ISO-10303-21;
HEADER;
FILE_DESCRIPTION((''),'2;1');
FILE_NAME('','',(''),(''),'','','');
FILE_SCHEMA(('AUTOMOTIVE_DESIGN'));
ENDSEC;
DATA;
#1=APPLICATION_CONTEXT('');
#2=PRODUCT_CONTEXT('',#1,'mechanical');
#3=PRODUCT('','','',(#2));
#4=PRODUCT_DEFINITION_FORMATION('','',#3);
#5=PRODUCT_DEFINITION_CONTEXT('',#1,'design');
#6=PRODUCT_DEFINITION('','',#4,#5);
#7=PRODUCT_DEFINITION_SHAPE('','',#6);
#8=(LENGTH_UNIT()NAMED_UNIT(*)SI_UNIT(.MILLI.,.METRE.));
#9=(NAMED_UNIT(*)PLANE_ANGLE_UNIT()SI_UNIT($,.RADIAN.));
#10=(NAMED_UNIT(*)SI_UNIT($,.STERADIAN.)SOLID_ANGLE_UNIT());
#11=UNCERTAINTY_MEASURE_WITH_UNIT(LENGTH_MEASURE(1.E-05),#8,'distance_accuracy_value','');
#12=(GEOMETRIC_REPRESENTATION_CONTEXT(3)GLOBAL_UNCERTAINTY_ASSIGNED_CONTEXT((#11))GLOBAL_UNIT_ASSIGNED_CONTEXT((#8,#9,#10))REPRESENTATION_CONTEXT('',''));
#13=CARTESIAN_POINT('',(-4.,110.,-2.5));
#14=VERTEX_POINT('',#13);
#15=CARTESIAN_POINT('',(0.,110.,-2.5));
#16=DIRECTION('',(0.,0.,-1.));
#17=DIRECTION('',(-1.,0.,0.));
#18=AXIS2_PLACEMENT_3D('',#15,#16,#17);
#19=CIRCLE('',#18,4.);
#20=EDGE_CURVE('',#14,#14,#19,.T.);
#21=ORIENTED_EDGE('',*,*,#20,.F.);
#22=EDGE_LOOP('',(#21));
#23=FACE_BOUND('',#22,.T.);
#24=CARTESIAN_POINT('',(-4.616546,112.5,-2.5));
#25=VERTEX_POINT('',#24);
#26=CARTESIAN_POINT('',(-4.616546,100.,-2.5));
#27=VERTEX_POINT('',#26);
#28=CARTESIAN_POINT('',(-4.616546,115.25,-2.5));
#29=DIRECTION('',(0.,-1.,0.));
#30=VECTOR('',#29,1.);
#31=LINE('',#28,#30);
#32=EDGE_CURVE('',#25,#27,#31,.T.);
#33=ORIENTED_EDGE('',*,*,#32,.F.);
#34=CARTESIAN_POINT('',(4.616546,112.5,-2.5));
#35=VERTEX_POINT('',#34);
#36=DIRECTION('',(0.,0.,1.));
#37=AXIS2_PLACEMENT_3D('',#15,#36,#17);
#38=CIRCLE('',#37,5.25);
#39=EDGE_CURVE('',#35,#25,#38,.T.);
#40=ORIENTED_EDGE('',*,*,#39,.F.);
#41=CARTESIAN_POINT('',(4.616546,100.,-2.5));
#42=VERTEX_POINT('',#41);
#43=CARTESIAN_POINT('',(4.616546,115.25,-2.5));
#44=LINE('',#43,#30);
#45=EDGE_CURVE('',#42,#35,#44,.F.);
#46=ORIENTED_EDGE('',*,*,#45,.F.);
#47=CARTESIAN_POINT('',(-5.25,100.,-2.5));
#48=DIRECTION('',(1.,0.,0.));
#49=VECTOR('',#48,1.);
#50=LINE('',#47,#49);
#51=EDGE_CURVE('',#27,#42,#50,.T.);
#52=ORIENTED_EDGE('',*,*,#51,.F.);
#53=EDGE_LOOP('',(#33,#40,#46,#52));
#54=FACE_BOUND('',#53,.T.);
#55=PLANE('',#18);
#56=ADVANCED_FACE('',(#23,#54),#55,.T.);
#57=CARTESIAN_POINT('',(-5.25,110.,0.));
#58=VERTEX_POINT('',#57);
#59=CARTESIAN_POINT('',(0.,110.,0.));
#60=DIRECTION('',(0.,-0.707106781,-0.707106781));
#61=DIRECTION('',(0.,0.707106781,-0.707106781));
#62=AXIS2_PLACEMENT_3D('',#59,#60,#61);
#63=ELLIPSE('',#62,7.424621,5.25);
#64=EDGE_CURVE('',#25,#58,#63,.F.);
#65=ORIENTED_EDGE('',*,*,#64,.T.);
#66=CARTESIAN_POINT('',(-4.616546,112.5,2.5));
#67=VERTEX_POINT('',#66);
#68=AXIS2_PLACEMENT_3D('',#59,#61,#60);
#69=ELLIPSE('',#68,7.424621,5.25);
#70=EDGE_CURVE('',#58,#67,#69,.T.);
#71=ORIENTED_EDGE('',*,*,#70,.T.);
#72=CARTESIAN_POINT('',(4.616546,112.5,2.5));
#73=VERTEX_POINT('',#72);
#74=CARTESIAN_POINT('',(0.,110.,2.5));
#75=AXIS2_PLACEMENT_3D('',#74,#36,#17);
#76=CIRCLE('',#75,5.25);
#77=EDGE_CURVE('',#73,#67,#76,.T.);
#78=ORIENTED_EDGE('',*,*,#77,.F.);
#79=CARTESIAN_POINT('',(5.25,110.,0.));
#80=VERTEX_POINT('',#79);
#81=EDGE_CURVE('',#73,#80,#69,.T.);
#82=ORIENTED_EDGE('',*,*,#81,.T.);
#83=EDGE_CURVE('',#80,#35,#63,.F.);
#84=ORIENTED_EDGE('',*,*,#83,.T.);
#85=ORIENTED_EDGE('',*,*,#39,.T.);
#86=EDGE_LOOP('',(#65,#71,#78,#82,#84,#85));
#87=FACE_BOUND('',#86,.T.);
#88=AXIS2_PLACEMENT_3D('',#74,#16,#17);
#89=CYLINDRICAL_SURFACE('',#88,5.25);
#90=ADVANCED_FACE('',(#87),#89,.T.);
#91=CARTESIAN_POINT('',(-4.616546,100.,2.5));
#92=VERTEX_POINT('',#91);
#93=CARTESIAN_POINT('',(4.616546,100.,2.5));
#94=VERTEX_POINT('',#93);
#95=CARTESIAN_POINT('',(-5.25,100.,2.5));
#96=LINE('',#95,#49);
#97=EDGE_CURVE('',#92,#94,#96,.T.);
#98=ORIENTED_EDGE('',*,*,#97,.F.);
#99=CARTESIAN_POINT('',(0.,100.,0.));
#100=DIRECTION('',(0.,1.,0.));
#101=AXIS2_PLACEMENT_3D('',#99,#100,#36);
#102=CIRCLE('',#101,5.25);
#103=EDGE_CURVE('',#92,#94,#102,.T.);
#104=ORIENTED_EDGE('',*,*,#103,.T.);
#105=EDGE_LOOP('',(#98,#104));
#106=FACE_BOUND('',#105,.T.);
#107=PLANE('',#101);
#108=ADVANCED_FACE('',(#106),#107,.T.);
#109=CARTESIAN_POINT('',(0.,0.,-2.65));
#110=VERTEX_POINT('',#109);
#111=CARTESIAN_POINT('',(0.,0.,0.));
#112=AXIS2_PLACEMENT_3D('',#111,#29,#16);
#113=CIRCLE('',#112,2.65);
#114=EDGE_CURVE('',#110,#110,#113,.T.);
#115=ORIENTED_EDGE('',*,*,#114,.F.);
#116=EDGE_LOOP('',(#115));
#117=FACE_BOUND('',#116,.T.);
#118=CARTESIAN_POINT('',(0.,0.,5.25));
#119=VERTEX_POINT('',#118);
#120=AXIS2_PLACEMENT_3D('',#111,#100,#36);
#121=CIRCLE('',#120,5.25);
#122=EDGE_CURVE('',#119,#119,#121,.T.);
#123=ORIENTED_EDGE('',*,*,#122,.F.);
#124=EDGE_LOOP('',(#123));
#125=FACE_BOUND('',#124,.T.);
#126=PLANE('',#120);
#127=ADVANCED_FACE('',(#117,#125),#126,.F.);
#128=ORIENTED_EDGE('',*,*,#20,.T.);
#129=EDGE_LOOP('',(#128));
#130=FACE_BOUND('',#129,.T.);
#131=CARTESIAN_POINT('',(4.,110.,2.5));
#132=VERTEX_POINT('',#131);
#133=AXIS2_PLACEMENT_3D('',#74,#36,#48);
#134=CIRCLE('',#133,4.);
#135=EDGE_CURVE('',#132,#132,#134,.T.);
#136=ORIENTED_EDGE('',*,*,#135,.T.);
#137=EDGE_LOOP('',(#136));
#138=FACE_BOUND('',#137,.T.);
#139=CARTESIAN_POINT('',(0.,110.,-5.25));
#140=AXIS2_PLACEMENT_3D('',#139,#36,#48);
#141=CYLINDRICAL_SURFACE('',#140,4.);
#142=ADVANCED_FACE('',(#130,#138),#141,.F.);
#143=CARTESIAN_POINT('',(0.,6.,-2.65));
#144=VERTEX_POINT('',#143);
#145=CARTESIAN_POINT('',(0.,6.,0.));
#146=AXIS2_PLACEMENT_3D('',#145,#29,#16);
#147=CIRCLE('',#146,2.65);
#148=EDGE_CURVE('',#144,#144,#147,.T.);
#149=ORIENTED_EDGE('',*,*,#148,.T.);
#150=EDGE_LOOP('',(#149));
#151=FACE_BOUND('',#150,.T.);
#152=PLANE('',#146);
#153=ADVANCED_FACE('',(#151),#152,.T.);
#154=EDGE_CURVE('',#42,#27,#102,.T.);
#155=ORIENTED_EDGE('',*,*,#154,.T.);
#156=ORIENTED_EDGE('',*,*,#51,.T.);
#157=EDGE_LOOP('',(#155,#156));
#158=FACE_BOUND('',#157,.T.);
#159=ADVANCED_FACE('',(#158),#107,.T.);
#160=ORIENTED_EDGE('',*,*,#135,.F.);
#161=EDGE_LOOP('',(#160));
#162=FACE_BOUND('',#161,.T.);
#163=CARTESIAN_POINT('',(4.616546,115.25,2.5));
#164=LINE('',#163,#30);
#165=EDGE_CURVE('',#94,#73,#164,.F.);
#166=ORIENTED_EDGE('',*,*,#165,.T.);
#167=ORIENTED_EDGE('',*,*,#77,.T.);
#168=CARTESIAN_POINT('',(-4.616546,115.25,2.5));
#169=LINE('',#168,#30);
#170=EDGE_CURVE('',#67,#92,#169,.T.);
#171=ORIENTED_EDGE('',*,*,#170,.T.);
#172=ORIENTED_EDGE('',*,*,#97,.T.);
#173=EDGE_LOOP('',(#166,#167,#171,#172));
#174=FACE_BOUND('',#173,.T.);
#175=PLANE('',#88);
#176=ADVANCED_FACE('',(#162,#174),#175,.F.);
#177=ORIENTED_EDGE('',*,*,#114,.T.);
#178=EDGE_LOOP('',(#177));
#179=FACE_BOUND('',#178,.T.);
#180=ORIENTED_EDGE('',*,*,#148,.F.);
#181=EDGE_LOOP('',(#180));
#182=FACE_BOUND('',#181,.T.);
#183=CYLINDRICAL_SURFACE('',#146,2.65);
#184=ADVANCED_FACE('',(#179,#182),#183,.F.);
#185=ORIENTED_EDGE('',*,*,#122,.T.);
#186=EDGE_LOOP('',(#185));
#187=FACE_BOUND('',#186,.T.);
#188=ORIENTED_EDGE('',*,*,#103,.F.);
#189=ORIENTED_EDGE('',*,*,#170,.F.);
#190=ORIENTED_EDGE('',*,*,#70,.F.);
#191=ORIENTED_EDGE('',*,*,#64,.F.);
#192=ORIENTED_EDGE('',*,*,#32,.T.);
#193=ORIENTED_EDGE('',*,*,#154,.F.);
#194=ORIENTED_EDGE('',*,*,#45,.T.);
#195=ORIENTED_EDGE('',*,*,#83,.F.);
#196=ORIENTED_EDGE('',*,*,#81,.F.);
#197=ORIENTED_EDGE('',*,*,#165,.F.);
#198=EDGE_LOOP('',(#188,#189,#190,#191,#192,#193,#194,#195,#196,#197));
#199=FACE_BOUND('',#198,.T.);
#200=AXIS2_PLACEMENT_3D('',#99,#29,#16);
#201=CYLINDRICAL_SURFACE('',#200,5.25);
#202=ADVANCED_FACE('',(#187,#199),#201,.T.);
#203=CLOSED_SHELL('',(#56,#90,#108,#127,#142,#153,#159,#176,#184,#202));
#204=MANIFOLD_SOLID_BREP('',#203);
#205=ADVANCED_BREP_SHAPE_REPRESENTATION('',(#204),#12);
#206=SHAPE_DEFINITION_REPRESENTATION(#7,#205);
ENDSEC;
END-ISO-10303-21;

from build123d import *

# Parameters (mm, degrees)
SKETCH1_R           = 5.25
BOSS_EXTRUDE1_DEPTH = 100
BOSS_EXTRUDE2_DEPTH = 2.5
SKETCH3_OUTSIDE_W   = 35.74
SKETCH3_OUTSIDE_H   = 35.74
SKETCH3_OUTSIDE_R   = 5.25
CUT_EXTRUDE1_DEPTH  = 101.275246198
SKETCH4_R           = 4
CUT_EXTRUDE2_DEPTH  = 116.629526938
SKETCH5_R           = 2.65
CUT_EXTRUDE3_DEPTH  = 6


with BuildPart() as part:
    # Sketch1 → Boss-Extrude1 (new body)
    with BuildSketch(Plane(origin=(0, 0, 0), x_dir=(1, 0, 0), z_dir=(0, 1, 0))):
        with Locations(Location((0, 0, 0), (0, 0, 270))):
            Circle(SKETCH1_R)
    extrude(amount=BOSS_EXTRUDE1_DEPTH)

    # Sketch2 → Boss-Extrude2 (add, symmetric)
    with BuildSketch(Plane.XY):
        with BuildLine():
            Line((-5.25, 100), (-5.25, 110))
            ThreePointArc((-5.25, 110), (0, 115.25), (5.25, 110))
            Line((5.25, 110), (5.25, 100))
            Line((5.25, 100), (-5.25, 100))
        make_face()
    extrude(amount=BOSS_EXTRUDE2_DEPTH, both=True)

    # Sketch3 outside → Cut-Extrude1 (cut, through all)
    with BuildSketch(Plane(origin=(0, 100, 0), x_dir=(1, 0, 0), z_dir=(0, 1, 0))):
        Rectangle(SKETCH3_OUTSIDE_W, SKETCH3_OUTSIDE_H)
        with Locations(Location((0, 0, 0), (0, 0, 151.563109851))):
            Circle(SKETCH3_OUTSIDE_R, mode=Mode.SUBTRACT)
    extrude(amount=CUT_EXTRUDE1_DEPTH, mode=Mode.SUBTRACT)

    # Sketch4 → Cut-Extrude2 (cut, through all)
    with BuildSketch(Plane.XY.offset(2.5)):
        with Locations((0, 110)):
            Circle(SKETCH4_R)
    extrude(amount=-CUT_EXTRUDE2_DEPTH, mode=Mode.SUBTRACT)

    # Sketch5 → Cut-Extrude3 (cut)
    with BuildSketch(Plane.XZ):
        with Locations(Location((0, 0, 0), (0, 0, 270))):
            Circle(SKETCH5_R)
    extrude(amount=-CUT_EXTRUDE3_DEPTH, mode=Mode.SUBTRACT)


solid = part.part
